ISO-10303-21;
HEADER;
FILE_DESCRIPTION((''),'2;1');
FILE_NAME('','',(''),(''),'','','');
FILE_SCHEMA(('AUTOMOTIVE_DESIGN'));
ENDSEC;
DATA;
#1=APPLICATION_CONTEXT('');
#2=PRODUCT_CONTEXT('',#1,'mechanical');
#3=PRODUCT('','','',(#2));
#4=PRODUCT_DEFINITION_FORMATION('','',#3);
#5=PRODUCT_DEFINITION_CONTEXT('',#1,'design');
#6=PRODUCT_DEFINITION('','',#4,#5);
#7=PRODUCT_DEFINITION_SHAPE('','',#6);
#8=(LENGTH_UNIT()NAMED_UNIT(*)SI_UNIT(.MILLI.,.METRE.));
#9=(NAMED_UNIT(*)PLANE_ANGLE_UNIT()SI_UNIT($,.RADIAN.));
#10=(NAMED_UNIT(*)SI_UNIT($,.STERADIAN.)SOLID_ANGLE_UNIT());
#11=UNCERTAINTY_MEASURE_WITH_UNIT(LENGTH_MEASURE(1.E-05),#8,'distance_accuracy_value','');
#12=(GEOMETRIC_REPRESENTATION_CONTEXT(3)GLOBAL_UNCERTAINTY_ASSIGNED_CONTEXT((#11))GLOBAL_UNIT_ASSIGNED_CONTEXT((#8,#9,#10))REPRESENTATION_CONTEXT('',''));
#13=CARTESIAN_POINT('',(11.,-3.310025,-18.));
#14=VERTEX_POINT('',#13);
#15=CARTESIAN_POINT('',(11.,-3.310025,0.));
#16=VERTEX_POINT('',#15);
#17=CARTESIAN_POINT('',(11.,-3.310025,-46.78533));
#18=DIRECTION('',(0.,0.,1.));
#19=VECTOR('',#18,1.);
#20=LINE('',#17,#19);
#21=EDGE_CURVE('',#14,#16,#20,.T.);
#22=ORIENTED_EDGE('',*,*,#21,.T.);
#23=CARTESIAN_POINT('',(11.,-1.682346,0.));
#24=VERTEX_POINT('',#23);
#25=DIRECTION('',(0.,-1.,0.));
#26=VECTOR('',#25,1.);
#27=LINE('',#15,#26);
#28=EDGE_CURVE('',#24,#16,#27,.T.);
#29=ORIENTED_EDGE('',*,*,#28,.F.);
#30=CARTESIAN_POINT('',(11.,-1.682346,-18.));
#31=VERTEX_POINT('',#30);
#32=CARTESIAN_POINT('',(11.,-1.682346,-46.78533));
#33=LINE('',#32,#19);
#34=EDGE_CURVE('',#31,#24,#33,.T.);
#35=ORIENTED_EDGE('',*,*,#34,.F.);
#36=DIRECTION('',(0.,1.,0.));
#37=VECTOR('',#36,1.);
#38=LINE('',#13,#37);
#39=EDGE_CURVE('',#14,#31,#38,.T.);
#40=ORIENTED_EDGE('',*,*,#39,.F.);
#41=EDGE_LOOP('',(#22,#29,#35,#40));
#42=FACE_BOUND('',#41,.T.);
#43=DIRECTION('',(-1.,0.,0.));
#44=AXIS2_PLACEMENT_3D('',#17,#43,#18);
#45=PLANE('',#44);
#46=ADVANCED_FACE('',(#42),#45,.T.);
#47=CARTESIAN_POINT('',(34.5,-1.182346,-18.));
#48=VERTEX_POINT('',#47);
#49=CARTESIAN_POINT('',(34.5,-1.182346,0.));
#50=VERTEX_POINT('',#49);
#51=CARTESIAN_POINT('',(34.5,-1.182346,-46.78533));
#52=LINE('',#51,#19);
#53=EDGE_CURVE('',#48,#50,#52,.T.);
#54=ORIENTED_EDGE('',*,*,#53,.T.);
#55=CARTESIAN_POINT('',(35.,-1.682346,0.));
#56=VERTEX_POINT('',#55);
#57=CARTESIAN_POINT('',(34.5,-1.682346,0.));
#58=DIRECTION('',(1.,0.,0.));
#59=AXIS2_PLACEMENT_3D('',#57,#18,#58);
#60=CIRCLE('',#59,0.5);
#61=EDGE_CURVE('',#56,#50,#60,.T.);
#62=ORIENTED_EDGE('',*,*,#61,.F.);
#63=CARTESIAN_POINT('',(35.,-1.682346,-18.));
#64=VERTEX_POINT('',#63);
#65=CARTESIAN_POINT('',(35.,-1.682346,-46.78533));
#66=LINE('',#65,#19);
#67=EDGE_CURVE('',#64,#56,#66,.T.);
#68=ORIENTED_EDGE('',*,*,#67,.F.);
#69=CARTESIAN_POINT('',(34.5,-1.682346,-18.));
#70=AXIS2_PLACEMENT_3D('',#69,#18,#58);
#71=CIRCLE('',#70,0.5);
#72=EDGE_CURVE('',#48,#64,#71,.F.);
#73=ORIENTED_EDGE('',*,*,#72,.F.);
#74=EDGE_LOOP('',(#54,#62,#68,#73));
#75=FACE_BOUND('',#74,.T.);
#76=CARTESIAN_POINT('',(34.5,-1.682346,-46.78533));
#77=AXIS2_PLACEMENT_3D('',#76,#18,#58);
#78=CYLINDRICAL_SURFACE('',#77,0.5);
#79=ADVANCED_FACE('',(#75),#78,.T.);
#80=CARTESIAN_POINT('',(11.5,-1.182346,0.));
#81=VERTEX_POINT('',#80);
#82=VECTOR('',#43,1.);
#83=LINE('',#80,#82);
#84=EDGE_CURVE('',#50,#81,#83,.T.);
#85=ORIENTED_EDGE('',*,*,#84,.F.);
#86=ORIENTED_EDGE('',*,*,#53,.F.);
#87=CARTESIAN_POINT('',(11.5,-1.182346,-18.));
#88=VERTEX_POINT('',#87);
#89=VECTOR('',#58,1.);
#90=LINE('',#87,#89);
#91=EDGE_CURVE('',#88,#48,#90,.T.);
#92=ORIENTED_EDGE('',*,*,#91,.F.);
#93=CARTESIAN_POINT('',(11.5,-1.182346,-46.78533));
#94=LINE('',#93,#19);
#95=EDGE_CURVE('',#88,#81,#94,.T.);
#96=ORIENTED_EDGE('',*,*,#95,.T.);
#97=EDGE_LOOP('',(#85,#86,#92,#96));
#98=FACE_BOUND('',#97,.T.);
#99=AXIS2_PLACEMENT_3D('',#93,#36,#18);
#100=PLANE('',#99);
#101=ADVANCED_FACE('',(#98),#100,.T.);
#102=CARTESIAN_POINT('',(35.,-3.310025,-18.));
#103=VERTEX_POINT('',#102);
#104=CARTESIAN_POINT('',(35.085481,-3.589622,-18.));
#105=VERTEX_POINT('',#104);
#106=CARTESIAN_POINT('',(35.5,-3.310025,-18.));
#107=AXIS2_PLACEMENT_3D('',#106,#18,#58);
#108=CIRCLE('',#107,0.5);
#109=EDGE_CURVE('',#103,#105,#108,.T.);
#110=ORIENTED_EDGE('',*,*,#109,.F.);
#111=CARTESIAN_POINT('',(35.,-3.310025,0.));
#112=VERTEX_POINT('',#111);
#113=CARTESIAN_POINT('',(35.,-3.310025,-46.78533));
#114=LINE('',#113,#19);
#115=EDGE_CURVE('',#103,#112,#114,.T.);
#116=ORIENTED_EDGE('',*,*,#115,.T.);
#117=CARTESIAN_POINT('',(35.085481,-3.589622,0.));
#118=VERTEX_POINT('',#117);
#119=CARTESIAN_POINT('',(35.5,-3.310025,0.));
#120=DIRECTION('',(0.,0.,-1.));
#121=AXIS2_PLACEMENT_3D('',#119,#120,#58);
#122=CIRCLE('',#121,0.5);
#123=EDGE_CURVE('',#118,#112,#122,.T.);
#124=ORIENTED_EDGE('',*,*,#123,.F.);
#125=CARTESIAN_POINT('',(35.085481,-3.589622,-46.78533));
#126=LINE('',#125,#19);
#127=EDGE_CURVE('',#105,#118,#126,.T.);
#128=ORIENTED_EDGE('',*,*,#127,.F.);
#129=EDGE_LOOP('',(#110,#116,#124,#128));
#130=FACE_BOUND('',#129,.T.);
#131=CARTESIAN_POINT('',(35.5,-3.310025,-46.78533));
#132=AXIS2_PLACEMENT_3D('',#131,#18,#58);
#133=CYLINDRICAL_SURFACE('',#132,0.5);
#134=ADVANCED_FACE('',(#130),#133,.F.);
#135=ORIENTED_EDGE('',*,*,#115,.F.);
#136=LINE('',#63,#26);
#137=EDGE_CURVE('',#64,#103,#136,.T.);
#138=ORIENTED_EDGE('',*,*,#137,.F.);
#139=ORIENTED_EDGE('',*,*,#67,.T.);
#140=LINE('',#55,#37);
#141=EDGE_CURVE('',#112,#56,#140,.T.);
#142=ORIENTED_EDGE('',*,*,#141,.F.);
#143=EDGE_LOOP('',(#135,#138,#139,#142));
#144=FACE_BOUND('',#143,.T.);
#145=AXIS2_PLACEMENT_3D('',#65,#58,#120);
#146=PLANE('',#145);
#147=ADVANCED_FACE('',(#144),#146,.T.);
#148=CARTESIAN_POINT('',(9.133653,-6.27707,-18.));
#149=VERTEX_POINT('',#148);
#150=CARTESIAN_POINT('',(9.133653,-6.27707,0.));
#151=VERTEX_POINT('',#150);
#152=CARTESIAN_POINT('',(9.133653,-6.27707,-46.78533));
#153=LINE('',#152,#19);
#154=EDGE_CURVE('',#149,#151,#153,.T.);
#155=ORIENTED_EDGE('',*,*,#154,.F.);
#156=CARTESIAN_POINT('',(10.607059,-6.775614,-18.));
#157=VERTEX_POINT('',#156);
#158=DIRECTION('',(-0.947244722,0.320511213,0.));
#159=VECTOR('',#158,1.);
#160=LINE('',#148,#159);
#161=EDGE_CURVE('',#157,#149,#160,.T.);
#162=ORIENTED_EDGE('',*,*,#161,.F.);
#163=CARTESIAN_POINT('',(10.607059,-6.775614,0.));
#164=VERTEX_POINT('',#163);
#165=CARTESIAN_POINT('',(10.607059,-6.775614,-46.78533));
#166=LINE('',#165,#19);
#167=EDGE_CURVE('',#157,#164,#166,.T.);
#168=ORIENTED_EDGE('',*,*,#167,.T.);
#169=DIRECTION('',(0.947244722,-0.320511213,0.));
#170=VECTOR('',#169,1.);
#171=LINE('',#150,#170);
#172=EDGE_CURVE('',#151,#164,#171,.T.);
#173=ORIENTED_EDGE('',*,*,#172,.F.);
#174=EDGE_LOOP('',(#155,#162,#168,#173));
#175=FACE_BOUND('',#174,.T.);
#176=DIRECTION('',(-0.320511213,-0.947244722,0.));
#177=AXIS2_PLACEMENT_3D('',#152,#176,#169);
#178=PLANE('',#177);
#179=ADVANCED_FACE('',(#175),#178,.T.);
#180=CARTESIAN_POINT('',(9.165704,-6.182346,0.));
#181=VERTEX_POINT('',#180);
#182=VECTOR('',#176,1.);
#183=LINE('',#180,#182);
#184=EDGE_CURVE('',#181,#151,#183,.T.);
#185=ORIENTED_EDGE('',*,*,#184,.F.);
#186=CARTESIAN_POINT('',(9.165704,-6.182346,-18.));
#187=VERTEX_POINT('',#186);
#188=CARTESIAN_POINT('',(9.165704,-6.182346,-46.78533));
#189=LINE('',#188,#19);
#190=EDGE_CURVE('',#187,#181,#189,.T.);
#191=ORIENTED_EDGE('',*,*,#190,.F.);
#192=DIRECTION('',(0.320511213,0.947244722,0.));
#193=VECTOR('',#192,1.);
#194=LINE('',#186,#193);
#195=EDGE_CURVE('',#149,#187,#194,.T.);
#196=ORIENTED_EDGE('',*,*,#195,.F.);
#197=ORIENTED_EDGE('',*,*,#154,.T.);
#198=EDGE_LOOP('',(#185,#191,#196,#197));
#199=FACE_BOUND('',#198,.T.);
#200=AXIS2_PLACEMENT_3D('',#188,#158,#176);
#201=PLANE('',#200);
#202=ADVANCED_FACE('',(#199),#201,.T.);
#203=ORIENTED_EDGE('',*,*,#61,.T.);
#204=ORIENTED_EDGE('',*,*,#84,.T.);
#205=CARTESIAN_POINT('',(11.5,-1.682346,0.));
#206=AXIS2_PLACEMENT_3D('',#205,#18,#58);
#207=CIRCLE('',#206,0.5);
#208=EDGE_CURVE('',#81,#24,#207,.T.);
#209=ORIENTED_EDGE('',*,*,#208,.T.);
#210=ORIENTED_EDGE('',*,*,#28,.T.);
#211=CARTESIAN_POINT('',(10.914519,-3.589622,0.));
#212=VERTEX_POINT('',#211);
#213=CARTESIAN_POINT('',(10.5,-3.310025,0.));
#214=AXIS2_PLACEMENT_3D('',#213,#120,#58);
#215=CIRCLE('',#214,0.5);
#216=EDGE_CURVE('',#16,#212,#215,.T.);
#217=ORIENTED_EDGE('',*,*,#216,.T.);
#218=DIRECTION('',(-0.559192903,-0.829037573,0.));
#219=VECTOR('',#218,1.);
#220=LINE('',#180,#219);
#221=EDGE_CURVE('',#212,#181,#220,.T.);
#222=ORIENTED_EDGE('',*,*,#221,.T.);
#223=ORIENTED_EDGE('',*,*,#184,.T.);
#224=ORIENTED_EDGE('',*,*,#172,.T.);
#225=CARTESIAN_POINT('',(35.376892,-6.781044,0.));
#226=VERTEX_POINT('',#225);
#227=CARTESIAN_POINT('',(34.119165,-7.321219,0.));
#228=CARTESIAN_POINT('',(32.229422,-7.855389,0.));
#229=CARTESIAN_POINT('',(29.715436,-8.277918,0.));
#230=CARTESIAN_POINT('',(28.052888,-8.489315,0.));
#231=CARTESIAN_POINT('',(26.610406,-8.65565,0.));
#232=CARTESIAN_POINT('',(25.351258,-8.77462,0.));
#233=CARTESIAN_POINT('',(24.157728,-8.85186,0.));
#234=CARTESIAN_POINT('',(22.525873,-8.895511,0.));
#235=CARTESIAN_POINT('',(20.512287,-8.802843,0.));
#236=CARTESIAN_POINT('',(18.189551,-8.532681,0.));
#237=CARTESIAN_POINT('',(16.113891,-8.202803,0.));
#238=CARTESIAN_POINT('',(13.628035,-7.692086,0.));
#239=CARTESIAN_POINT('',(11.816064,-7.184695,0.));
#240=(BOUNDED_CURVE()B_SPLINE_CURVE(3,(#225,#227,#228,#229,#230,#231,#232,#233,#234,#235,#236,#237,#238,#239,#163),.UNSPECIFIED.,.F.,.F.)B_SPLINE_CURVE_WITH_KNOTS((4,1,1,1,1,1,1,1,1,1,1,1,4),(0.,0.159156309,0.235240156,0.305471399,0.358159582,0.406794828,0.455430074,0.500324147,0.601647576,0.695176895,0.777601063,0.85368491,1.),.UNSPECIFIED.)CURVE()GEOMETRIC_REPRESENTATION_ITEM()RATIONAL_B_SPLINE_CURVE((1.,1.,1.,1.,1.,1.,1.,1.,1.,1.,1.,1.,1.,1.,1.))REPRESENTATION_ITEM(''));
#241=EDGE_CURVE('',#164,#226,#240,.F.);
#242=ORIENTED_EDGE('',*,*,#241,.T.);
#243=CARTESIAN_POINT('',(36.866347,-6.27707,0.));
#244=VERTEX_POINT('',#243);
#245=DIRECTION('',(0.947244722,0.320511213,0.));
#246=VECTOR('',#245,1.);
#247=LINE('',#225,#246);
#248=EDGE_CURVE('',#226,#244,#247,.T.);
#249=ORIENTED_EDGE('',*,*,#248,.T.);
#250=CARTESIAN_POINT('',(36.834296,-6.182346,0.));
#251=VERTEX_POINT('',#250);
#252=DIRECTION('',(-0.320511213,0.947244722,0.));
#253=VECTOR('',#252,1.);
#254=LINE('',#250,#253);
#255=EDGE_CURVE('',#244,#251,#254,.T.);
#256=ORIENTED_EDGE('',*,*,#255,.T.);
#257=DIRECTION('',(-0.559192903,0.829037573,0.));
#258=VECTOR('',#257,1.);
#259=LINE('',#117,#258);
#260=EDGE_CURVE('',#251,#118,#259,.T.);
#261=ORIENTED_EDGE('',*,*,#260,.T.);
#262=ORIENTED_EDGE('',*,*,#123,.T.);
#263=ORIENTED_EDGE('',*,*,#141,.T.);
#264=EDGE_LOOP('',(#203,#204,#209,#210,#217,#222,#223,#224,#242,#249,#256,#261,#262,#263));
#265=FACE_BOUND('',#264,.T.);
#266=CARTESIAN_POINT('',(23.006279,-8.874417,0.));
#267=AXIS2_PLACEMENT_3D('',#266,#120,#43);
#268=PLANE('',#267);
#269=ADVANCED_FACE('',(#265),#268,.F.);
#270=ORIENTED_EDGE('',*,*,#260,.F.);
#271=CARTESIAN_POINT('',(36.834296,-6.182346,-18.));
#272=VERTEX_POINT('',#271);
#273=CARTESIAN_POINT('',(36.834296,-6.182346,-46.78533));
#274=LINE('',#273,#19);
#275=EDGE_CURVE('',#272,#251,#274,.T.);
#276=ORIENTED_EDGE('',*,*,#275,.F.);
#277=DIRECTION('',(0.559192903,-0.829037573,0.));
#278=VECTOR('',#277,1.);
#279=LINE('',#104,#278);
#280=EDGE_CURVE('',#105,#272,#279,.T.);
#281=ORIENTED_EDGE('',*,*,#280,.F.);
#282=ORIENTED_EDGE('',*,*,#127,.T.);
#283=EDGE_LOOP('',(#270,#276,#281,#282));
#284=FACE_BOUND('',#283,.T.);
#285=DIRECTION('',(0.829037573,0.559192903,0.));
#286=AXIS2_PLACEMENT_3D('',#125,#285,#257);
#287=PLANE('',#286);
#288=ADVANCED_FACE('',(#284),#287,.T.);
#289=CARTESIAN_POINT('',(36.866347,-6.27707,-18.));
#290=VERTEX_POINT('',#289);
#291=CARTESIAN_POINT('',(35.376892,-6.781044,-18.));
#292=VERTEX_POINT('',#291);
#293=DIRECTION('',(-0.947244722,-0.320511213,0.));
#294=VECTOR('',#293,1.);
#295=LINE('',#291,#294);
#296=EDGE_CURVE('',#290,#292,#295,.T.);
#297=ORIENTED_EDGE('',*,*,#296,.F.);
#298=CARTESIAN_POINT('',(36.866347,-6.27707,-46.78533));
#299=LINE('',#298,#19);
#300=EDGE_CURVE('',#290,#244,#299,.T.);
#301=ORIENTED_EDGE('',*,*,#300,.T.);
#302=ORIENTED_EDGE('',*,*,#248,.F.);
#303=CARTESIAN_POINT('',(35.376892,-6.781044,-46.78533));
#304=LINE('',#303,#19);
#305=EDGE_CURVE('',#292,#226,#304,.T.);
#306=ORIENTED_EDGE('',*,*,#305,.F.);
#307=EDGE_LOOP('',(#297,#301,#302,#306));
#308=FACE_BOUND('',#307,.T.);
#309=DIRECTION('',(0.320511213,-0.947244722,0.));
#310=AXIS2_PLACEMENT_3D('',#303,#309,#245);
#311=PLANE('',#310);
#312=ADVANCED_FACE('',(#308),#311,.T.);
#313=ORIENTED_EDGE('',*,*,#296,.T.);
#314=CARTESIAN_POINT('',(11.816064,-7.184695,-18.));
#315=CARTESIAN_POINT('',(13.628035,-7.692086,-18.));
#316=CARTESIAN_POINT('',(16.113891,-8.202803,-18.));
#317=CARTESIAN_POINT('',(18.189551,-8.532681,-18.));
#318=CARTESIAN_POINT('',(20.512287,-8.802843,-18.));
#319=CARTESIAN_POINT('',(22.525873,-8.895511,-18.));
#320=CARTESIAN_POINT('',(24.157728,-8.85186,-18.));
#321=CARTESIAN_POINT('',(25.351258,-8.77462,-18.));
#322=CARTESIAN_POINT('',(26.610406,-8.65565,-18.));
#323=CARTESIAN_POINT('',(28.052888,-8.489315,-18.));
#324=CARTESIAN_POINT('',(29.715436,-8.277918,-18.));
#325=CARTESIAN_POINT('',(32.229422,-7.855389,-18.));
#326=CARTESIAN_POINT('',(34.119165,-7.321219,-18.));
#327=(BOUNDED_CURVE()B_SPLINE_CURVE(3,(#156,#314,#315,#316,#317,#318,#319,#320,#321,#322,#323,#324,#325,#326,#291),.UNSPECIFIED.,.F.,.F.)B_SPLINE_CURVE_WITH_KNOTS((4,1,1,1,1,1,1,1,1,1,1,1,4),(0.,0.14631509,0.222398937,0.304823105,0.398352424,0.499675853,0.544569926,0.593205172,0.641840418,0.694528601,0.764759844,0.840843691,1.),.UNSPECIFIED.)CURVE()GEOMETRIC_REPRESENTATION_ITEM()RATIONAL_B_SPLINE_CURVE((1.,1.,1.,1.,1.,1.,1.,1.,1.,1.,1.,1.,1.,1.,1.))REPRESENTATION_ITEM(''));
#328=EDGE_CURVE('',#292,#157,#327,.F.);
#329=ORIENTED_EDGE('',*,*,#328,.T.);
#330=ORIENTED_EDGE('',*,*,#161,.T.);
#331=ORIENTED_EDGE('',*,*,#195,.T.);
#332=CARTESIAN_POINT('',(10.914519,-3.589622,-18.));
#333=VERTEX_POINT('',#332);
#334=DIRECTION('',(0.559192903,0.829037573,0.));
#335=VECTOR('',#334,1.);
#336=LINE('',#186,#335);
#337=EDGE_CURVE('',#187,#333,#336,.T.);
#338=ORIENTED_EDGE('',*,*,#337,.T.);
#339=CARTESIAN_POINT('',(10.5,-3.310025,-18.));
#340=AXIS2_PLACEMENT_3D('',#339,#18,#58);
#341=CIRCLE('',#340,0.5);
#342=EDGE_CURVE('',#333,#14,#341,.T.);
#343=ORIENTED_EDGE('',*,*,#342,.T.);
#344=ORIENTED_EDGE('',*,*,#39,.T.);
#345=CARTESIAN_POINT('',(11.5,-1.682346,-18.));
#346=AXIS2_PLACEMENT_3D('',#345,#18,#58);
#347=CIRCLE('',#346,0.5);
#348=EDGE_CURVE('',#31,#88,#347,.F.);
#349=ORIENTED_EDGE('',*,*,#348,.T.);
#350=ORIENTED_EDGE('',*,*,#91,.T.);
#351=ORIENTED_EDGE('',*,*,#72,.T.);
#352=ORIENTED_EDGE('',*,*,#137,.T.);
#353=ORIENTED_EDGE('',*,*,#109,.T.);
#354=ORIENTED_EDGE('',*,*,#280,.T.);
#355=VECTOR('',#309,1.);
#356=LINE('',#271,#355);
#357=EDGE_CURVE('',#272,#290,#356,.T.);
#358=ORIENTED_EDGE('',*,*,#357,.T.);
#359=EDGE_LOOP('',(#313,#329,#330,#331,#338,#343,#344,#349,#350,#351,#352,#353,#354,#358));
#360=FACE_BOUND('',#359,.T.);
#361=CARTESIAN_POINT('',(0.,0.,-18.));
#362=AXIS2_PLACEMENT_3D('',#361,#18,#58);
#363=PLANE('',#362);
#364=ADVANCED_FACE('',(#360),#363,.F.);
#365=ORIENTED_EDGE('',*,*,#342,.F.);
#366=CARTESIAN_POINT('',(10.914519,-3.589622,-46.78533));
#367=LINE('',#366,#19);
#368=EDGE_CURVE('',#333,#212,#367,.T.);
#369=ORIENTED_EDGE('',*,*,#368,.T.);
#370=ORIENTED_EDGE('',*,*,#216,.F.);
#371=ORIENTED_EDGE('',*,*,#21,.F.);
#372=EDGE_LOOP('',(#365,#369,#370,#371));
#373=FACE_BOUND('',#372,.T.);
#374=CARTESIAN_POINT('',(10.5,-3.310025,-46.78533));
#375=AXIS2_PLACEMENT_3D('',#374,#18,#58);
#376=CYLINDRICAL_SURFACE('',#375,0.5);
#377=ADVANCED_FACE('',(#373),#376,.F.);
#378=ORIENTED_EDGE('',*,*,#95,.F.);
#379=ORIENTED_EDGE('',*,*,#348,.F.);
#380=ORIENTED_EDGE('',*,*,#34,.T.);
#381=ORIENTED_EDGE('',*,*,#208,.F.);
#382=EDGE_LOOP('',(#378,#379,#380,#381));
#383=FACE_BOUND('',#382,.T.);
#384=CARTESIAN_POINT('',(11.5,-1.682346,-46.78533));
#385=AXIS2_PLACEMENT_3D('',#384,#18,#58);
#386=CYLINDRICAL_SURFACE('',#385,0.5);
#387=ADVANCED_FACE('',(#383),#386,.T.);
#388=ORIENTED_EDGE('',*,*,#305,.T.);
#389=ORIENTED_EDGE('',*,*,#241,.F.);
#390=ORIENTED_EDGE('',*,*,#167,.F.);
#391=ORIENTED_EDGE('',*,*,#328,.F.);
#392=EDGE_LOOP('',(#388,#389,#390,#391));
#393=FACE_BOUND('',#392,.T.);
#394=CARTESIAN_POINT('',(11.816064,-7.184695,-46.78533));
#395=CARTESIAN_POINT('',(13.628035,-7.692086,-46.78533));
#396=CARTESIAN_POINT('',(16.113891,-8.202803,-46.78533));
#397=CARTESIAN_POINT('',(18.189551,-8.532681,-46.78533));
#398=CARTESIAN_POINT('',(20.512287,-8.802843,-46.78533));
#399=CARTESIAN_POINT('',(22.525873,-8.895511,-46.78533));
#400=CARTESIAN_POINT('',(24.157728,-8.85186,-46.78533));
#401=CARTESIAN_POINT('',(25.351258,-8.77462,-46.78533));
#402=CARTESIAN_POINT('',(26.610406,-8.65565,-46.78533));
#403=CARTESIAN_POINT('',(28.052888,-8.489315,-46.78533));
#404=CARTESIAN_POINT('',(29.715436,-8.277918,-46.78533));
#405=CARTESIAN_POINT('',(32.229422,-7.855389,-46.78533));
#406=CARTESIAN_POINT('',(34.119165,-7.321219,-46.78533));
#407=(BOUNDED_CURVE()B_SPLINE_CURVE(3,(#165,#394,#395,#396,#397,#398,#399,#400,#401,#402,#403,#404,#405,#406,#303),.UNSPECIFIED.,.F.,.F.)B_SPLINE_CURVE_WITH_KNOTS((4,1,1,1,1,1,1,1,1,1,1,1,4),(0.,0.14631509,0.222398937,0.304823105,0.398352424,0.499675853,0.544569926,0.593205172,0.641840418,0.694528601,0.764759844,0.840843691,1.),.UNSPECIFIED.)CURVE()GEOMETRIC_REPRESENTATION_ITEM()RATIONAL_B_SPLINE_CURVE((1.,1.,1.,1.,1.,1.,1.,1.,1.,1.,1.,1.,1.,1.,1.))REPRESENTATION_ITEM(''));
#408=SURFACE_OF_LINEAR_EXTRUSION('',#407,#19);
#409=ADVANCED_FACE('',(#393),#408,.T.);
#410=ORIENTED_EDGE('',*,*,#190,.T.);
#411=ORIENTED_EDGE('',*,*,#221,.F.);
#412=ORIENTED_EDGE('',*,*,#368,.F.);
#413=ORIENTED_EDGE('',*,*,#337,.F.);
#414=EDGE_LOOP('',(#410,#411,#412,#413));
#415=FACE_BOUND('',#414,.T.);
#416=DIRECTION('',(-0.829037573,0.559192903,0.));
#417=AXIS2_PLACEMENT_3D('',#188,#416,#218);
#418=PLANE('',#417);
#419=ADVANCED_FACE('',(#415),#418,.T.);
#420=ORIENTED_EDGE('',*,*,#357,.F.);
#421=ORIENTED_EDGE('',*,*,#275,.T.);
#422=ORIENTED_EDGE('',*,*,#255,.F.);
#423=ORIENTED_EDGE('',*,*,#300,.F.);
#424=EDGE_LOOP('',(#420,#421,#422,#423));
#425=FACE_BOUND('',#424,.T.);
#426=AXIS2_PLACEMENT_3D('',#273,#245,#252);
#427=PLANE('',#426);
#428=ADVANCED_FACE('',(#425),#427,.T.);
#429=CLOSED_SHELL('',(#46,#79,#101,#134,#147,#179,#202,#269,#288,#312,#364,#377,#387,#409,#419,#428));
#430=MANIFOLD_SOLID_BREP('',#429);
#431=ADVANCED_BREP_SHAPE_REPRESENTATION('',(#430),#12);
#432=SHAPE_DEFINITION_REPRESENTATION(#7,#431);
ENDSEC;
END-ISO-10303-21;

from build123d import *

# Parameters (mm, degrees)
BOSS_EXTRUDE1_DEPTH = 18


with BuildPart() as part:
    # Sketch1 → Boss-Extrude1 (new body)
    with BuildSketch(Plane.XY):
        with BuildLine():
            Line((35.376892046, -6.781044394), (36.866346672, -6.277070186))
            Line((36.866346672, -6.277070186), (36.834295551, -6.182345714))
            Line((36.834295551, -6.182345714), (35.085481214, -3.589621837))
            ThreePointArc((35.085481214, -3.589621837), (35.021847622, -3.456211238), (35, -3.310025385))
            Line((35, -3.310025385), (35, -1.682345714))
            ThreePointArc((35, -1.682345714), (34.853553391, -1.328792323), (34.5, -1.182345714))
            Line((34.5, -1.182345714), (11.5, -1.182345714))
            ThreePointArc((11.5, -1.182345714), (11.146446609, -1.328792323), (11, -1.682345714))
            Line((11, -1.682345714), (11, -3.310025385))
            ThreePointArc((11, -3.310025385), (10.978152378, -3.456211238), (10.914518786, -3.589621837))
            Line((10.914518786, -3.589621837), (9.165704449, -6.182345714))
            Line((9.165704449, -6.182345714), (9.133653328, -6.277070186))
            Line((9.133653328, -6.277070186), (10.607058659, -6.77561393))
            add(Edge.make_bspline(
                [(10.607058659, -6.77561393), (11.816063951, -7.18469486), (13.628034684, -7.692085525), (16.113891162, -8.202802822), (18.189551086, -8.532681309), (20.512287403, -8.80284347), (22.525873147, -8.895511296), (24.157727683, -8.851859587), (25.351258415, -8.774619539), (26.610405964, -8.65564999), (28.052887591, -8.489315058), (29.715436425, -8.277918045), (32.229421821, -7.855388776), (34.119164741, -7.321218718), (35.376892046, -6.781044394)],
                knots=[0, 0, 0, 0, 0.14631509, 0.222398937, 0.304823105, 0.398352424, 0.499675853, 0.544569926, 0.593205172, 0.641840418, 0.694528601, 0.764759844, 0.840843691, 1, 1, 1, 1], degree=3, weights=[1, 1, 1, 1, 1, 1, 1, 1, 1, 1, 1, 1, 1, 1, 1]))
        make_face()
    extrude(amount=-BOSS_EXTRUDE1_DEPTH)


solid = part.part
